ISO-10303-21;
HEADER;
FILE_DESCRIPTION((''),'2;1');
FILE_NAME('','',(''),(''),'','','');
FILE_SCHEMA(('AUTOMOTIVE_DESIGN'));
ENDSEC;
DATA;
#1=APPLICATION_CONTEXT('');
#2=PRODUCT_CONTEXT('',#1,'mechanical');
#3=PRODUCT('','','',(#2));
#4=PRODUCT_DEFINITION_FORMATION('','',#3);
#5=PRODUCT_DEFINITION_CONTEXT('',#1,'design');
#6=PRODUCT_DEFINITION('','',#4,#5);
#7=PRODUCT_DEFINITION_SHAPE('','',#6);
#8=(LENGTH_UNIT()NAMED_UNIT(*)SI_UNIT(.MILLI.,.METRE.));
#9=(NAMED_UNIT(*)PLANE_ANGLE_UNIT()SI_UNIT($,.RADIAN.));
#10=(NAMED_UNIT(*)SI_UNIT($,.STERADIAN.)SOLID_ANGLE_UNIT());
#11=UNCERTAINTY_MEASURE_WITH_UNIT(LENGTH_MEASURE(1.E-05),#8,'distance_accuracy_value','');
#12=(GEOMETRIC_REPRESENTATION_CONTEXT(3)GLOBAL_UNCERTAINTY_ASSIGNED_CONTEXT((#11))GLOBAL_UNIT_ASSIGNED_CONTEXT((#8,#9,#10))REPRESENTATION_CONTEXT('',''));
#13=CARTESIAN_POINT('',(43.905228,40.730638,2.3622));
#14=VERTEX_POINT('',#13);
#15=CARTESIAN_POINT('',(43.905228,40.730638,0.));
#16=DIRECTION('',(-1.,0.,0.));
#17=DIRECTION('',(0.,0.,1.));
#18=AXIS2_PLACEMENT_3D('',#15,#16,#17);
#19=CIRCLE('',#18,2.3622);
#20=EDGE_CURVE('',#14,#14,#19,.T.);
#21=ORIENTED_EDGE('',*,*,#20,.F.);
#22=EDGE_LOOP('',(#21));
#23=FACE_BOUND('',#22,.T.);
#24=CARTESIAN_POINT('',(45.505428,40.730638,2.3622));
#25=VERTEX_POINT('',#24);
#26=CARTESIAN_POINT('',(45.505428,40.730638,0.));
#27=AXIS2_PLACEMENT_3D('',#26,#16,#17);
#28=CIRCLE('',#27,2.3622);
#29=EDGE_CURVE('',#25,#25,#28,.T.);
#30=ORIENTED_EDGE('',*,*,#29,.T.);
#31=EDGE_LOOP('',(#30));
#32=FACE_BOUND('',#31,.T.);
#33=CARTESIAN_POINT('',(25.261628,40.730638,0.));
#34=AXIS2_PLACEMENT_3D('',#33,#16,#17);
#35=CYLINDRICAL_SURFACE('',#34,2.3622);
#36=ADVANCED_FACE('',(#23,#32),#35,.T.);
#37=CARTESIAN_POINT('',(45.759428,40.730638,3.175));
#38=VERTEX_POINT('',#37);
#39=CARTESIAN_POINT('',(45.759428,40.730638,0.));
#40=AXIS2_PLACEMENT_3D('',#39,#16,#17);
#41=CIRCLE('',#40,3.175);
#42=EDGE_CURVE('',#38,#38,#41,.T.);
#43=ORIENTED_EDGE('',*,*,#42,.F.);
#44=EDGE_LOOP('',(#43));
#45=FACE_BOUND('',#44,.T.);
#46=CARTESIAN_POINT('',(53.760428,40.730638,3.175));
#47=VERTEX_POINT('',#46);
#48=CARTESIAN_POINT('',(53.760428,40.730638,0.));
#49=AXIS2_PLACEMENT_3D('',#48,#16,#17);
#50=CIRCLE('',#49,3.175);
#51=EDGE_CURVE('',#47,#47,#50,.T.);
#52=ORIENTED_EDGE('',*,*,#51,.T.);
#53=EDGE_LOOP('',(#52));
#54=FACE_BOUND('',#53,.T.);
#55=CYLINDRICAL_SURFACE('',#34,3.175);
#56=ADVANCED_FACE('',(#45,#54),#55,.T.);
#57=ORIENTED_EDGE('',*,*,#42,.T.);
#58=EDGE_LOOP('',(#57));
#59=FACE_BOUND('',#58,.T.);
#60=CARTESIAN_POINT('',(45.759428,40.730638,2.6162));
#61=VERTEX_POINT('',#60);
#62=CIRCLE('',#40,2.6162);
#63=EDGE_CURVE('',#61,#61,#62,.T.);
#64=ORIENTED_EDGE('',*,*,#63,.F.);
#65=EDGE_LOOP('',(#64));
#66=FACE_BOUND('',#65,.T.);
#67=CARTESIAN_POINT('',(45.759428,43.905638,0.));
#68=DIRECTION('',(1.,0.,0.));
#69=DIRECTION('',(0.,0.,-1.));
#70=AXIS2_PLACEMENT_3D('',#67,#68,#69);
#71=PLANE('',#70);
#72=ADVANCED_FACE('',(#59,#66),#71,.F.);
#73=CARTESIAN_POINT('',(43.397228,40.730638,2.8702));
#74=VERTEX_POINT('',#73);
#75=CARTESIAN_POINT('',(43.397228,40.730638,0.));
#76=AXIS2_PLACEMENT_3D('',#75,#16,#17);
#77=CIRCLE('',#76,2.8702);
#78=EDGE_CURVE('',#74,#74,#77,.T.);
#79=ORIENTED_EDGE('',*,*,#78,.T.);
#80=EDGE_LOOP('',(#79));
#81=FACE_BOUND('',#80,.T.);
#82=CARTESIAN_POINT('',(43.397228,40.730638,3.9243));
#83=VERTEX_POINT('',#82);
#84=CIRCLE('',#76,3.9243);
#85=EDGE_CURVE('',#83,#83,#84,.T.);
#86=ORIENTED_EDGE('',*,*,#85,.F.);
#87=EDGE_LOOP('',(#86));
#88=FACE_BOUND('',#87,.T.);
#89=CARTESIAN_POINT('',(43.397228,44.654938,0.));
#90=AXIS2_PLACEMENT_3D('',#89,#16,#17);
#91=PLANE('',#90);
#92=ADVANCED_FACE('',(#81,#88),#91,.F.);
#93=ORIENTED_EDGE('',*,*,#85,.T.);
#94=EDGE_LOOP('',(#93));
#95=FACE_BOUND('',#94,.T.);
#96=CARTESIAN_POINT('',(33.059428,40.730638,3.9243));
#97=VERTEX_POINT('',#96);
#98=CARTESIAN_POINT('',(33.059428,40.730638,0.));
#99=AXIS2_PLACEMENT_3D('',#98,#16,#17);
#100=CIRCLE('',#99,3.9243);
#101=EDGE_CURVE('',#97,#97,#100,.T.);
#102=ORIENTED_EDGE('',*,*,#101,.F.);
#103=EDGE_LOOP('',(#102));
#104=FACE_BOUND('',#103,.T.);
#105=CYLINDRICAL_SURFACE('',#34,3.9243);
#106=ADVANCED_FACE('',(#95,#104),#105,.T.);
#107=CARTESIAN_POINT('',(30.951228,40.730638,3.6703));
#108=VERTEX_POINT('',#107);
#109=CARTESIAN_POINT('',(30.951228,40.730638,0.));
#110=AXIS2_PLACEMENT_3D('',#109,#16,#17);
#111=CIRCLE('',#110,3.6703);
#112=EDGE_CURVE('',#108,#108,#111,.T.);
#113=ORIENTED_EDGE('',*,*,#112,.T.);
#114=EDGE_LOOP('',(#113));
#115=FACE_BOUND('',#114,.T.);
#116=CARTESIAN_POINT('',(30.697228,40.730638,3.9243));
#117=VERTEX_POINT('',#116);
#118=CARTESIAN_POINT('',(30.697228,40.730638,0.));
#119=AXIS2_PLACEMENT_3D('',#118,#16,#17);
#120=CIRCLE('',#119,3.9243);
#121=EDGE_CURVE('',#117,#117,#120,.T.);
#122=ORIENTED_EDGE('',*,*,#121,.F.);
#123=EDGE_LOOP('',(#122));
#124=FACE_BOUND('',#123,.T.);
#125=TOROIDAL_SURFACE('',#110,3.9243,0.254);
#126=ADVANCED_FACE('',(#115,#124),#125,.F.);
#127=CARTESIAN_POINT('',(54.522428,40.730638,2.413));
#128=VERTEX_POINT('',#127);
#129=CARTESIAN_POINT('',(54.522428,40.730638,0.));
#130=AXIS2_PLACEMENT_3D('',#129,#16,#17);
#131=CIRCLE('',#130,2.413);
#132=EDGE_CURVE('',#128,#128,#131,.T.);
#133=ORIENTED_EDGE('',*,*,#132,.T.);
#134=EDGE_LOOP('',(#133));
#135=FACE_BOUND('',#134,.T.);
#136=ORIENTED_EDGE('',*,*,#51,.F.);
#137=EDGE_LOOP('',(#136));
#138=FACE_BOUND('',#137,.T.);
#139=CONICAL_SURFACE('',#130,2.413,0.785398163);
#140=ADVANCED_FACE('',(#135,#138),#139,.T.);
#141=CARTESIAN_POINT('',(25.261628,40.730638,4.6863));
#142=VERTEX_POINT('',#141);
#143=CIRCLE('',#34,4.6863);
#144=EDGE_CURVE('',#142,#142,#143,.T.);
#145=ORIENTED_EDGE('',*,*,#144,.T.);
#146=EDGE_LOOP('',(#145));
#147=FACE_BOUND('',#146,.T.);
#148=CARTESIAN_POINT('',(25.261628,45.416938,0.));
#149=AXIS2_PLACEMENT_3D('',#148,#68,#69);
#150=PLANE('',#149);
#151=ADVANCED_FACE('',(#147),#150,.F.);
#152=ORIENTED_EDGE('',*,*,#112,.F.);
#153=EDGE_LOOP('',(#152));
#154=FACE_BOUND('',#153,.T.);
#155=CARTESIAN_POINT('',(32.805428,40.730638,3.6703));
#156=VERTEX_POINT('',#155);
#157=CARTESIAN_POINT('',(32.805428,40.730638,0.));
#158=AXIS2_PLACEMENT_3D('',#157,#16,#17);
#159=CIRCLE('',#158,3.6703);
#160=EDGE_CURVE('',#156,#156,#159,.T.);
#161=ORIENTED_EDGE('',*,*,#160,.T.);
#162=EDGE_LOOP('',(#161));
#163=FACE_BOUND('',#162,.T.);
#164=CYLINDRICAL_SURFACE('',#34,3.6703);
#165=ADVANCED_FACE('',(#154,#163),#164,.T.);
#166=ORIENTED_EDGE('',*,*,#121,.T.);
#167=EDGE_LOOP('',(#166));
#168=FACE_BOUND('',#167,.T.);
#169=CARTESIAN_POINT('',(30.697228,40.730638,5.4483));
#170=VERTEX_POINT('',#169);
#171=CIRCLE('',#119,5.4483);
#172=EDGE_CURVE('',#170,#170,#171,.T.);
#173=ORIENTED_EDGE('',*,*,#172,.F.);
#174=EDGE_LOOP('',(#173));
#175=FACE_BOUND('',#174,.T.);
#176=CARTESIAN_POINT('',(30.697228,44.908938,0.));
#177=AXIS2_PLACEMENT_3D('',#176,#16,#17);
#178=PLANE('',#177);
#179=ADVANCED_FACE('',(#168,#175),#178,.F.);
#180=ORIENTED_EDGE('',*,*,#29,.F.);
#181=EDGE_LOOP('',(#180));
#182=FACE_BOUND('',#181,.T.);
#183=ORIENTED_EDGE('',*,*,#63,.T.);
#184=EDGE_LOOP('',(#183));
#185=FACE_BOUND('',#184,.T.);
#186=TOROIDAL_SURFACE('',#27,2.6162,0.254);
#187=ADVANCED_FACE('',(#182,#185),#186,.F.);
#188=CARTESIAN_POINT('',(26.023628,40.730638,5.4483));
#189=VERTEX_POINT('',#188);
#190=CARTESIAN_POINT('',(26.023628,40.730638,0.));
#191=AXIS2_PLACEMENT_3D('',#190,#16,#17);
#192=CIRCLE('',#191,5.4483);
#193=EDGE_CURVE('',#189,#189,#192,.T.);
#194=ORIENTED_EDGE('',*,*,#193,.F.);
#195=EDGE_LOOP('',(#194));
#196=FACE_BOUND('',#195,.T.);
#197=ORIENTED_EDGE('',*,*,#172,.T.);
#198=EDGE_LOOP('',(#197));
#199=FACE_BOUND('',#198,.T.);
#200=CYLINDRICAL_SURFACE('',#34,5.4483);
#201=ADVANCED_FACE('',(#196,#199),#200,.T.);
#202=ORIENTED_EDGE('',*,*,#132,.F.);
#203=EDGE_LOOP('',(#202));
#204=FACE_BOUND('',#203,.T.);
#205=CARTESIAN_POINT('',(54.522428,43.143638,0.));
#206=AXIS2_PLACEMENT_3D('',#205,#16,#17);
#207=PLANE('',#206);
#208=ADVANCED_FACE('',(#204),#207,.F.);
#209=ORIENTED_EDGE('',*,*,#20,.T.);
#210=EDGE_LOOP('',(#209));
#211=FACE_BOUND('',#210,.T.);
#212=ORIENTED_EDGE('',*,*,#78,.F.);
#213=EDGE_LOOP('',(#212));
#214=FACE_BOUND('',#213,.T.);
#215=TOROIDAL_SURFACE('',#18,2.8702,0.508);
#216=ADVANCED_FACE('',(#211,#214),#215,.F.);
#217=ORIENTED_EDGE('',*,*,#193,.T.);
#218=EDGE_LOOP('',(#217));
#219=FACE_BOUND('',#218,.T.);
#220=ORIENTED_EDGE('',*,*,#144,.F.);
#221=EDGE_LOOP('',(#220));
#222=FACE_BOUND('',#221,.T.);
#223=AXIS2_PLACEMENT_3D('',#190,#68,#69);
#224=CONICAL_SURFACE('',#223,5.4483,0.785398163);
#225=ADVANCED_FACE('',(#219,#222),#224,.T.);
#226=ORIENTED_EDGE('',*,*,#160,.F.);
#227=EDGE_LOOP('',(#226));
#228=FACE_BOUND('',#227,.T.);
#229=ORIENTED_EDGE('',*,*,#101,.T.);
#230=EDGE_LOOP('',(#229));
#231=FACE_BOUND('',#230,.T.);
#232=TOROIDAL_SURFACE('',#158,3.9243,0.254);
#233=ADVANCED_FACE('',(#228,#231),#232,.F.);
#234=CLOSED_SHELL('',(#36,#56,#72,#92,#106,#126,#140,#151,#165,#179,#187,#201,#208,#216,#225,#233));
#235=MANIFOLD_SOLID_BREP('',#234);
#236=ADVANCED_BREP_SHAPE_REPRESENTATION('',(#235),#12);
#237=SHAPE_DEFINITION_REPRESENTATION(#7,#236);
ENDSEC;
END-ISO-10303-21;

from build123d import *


with BuildPart() as part:
    # Sketch1 → Revolve1 (revolve)
    with BuildSketch(Plane.XY):
        with BuildLine():
            Line((26.023627587, 46.178938329), (30.697227587, 46.178938329))
            Line((30.697227587, 46.178938329), (30.697227587, 44.908938329))
            Line((30.697227587, 44.908938329), (30.697227587, 44.654938329))
            ThreePointArc((30.697227587, 44.654938329), (30.771622465, 44.475333206), (30.951227587, 44.400938329))
            Line((30.951227587, 44.400938329), (31.205227587, 44.400938329))
            Line((31.205227587, 44.400938329), (32.805427587, 44.400938329))
            ThreePointArc((32.805427587, 44.400938329), (32.98503271, 44.475333206), (33.059427587, 44.654938329))
            Line((33.059427587, 44.654938329), (43.397227587, 44.654938329))
            Line((43.397227587, 44.654938329), (43.397227587, 43.600838329))
            ThreePointArc((43.397227587, 43.600838329), (43.546017342, 43.241628084), (43.905227587, 43.092838329))
            Line((43.905227587, 43.092838329), (45.505427587, 43.092838329))
            ThreePointArc((45.505427587, 43.092838329), (45.68503271, 43.167233206), (45.759427587, 43.346838329))
            Line((45.759427587, 43.346838329), (45.759427587, 43.905638329))
            Line((45.759427587, 43.905638329), (53.760427587, 43.905638329))
            Line((53.760427587, 43.905638329), (54.522427587, 43.143638329))
            Line((54.522427587, 43.143638329), (54.522427587, 40.730638329))
            Line((54.522427587, 40.730638329), (25.261627587, 40.730638329))
            Line((25.261627587, 40.730638329), (25.261627587, 45.416938329))
            Line((25.261627587, 45.416938329), (26.023627587, 46.178938329))
        make_face()
    revolve(axis=Axis((25.261627587, 40.730638329, 0), (1, 0, 0)))


solid = part.part
